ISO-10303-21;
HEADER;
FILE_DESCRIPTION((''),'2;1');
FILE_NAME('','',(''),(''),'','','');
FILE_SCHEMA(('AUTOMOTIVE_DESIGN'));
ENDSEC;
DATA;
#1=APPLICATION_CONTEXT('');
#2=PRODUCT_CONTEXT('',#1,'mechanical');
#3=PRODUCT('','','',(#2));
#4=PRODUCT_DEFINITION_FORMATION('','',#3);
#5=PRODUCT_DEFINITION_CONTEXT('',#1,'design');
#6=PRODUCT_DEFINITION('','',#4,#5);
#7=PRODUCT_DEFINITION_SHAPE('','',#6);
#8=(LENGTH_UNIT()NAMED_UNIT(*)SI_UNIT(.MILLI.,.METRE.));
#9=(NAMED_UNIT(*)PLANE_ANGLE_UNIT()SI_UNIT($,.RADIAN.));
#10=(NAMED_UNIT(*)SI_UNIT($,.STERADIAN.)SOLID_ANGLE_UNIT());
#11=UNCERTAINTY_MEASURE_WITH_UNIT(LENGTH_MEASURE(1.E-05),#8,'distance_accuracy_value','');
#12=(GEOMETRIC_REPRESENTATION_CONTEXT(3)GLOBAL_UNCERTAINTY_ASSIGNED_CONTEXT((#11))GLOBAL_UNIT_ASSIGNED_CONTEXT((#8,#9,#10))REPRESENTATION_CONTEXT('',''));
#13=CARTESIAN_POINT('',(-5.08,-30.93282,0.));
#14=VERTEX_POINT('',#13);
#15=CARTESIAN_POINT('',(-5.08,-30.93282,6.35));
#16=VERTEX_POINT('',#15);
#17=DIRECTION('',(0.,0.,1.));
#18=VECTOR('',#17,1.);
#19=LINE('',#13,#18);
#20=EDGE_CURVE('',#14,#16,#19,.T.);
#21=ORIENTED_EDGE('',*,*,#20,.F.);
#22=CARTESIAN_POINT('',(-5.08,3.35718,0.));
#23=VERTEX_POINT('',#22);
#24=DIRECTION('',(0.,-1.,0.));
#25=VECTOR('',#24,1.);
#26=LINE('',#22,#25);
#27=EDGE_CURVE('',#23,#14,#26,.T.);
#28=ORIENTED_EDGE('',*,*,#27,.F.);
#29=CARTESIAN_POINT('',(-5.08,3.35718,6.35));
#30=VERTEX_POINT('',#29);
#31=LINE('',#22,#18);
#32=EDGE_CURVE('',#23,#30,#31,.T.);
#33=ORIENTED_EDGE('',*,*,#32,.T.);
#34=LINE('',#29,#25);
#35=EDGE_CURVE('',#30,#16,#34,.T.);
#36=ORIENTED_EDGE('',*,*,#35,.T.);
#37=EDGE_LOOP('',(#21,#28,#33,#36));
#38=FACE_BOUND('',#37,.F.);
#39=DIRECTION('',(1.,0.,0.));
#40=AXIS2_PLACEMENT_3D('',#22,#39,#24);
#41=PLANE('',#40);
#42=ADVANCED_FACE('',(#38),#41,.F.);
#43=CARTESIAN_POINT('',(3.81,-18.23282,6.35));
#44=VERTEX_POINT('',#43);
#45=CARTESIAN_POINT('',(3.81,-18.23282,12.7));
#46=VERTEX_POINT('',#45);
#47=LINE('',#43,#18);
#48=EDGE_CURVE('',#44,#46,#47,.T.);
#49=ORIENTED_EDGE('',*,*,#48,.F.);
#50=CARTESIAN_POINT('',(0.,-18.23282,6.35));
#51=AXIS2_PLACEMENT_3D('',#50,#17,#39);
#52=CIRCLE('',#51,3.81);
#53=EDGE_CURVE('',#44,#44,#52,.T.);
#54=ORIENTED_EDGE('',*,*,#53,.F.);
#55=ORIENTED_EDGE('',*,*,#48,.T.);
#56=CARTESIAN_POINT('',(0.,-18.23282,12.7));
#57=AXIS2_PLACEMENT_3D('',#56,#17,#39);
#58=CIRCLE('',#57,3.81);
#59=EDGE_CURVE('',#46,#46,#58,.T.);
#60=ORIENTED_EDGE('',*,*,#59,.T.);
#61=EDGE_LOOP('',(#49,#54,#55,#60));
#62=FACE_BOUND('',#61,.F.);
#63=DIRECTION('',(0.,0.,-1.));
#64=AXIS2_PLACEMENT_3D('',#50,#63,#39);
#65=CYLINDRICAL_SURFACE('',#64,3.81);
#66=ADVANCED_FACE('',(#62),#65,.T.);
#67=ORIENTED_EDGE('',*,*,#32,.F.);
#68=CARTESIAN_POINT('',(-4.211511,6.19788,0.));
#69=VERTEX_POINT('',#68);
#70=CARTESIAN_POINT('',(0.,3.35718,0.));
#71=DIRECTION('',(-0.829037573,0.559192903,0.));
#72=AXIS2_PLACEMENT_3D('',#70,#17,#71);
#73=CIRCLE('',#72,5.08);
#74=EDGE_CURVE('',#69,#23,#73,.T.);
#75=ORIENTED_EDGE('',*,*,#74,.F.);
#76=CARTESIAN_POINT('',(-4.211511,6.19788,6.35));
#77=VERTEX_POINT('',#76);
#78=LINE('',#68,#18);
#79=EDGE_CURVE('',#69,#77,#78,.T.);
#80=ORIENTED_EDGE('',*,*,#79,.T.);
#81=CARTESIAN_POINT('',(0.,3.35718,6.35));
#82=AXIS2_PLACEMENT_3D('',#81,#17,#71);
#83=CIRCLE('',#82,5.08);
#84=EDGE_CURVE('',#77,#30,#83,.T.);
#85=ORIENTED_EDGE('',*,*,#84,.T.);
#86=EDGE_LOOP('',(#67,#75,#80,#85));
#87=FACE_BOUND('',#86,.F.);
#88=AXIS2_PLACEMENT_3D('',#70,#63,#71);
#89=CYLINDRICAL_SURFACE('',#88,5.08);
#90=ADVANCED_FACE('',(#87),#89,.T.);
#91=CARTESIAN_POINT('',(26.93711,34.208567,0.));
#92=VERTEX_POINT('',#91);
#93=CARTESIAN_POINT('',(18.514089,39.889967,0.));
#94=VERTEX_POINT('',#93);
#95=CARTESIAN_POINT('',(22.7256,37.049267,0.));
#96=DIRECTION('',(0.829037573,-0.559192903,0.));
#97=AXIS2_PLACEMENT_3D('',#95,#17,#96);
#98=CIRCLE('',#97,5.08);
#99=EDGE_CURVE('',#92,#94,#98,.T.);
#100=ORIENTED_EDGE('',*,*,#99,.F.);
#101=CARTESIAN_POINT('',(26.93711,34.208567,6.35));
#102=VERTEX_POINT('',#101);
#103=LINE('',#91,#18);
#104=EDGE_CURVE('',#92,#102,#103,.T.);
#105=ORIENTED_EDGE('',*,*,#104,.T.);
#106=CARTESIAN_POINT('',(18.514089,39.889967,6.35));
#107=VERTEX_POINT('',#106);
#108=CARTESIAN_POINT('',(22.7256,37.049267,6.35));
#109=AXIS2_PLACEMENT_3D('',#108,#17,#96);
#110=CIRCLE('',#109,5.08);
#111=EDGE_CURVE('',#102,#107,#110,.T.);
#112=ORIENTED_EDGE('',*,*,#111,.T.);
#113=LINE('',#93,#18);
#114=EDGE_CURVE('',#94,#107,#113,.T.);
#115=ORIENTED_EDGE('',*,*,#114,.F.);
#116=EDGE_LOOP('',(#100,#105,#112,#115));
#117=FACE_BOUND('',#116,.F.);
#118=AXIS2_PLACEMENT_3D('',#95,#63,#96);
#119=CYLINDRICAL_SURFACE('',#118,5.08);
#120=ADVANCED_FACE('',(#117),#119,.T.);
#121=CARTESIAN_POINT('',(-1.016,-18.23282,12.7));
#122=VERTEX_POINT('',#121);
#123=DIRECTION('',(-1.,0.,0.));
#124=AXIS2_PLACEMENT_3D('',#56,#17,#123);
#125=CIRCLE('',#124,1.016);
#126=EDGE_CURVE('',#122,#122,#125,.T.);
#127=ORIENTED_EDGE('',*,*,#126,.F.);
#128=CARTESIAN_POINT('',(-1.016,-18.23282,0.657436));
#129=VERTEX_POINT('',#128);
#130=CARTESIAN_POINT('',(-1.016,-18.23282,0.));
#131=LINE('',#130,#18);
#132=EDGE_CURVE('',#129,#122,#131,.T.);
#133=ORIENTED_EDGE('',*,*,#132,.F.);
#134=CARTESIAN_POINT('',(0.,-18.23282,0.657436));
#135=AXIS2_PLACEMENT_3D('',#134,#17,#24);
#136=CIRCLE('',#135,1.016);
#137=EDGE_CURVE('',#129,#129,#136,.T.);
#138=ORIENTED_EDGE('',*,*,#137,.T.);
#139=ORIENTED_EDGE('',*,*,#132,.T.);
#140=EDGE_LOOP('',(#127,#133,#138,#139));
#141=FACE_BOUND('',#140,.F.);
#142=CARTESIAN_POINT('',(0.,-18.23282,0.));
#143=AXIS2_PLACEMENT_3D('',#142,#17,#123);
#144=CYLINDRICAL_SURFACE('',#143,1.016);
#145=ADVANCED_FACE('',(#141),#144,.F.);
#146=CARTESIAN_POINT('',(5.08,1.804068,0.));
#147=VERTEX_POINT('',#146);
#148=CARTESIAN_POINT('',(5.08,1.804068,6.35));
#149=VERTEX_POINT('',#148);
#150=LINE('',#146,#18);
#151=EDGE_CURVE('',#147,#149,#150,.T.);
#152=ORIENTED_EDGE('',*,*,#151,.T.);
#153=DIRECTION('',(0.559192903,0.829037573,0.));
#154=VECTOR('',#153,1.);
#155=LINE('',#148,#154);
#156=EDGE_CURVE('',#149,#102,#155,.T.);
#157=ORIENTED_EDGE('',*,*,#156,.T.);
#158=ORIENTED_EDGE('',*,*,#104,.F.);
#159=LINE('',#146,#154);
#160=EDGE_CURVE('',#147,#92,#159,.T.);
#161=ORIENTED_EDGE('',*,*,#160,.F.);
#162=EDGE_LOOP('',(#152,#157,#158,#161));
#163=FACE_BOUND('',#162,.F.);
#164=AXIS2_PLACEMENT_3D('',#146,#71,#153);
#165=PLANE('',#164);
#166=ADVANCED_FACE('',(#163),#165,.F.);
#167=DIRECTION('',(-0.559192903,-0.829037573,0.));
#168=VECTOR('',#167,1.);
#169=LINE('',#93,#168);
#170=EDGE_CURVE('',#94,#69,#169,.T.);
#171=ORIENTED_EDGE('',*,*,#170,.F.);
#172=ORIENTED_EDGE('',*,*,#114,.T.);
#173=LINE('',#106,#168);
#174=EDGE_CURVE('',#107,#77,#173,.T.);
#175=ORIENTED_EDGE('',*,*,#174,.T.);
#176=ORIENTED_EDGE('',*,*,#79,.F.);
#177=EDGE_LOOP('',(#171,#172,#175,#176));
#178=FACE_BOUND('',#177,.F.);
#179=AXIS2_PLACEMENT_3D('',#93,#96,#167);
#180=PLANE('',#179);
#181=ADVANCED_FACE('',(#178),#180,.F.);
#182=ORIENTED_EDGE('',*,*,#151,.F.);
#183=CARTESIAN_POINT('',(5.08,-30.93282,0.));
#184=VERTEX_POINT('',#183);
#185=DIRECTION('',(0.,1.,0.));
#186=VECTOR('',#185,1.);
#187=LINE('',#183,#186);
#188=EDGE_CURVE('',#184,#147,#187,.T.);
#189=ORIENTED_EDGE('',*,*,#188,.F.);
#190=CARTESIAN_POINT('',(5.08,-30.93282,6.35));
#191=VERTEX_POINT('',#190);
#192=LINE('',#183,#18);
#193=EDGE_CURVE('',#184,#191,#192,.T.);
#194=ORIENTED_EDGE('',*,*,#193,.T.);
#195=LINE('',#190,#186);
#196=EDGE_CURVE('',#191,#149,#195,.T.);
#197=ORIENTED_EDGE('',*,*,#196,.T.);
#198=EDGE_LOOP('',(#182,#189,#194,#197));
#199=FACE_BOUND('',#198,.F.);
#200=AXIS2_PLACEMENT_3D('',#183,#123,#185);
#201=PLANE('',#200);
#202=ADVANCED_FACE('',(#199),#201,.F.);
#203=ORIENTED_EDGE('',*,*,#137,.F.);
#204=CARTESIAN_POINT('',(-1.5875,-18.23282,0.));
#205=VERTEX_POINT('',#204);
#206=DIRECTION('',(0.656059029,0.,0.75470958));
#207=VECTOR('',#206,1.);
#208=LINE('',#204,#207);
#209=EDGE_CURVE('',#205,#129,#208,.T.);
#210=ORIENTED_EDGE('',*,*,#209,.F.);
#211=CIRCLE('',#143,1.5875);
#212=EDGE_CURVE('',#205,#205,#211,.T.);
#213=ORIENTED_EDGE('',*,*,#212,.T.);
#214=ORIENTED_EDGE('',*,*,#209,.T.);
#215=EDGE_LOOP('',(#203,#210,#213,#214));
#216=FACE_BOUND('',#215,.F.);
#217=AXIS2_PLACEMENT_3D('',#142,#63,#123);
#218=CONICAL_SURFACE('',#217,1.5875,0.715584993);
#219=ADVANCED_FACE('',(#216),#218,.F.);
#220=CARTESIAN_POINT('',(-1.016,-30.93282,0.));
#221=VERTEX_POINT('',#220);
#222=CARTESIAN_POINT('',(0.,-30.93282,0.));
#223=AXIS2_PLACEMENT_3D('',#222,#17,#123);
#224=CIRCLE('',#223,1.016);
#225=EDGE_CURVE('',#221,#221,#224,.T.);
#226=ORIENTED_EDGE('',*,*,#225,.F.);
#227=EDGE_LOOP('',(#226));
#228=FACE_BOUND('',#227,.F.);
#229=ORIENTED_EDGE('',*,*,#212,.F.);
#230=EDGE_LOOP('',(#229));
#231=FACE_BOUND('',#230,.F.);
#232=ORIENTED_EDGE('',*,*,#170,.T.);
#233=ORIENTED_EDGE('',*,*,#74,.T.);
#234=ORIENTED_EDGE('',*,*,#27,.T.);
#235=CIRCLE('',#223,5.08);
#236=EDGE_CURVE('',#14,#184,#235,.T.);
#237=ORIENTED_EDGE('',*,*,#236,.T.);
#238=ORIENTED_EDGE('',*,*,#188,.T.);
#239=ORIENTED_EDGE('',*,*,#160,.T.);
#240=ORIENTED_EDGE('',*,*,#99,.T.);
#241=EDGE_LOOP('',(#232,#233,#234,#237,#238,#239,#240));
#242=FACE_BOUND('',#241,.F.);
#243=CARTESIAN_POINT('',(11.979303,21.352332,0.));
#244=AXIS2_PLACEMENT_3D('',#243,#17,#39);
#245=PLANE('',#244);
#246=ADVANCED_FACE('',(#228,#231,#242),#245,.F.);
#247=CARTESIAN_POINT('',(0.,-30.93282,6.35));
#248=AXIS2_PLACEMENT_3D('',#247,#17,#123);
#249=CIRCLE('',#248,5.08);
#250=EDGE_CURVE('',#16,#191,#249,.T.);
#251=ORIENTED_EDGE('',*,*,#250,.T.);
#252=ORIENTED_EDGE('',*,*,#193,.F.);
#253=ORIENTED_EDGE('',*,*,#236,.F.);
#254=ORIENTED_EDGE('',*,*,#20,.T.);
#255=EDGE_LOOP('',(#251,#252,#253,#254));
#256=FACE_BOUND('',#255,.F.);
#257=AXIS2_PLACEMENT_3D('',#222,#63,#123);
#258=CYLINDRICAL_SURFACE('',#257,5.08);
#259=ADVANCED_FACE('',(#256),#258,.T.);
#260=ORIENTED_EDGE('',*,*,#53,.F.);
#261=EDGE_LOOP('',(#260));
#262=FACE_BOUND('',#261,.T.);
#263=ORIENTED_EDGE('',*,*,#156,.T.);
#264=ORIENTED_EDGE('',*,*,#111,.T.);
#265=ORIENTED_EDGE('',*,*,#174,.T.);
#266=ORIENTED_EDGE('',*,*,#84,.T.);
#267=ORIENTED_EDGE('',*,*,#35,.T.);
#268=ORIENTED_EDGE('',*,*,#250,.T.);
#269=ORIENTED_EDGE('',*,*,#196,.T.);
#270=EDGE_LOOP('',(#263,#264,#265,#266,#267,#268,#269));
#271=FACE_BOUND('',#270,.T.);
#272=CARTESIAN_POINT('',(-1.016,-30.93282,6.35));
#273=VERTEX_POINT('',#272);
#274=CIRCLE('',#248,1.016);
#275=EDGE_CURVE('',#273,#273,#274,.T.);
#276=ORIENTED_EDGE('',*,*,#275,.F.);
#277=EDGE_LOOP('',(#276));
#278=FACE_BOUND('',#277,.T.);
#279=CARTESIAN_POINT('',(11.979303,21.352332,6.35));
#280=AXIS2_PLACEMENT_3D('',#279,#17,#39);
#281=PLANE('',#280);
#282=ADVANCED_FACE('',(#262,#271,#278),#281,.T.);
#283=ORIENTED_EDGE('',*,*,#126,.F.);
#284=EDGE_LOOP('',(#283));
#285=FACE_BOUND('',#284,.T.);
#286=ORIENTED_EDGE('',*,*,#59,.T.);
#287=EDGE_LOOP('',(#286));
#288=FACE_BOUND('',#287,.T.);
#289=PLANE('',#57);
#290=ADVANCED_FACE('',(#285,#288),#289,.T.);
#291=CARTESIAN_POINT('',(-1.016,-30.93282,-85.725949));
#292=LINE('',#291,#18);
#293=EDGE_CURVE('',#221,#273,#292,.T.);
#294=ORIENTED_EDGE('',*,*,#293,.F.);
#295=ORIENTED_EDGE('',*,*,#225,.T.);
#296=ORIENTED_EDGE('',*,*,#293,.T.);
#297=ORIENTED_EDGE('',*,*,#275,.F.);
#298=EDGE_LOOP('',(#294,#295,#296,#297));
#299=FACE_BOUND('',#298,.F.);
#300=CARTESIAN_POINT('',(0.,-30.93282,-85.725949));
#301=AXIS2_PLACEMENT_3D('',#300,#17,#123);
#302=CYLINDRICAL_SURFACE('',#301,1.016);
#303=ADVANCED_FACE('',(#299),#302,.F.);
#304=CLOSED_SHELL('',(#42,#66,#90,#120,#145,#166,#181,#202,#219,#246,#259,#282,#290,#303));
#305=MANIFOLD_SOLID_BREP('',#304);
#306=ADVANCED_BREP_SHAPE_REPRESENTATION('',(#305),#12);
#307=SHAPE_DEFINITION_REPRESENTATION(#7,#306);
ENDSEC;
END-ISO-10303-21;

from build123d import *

# Parameters (mm, degrees)
F1_DEPTH       = 6.35
F2_R           = 3.81
F3_DEPTH       = 6.35
F4_D           = 2.032
F4_CSINK_D     = 3.175
F4_CSINK_ANGLE = 82
F5_D           = 2.032


with BuildPart() as f1:
    # F0 (on Top) → F1 (new body)
    with BuildSketch(Plane.XY):
        with BuildLine():
            ThreePointArc((-4.2115108686, 6.1978799769), (-0.9693096965, 8.3438461191), (2.8406999496, 7.5686908958))
            ThreePointArc((2.8406999496, 7.5686908958), (4.4853737717, 5.7420955662), (5.08, 3.3571800272))
            Line((5.08, 3.3571800272), (5.08, 1.8040681654))
            Line((5.08, 1.8040681654), (26.9371104656, 34.2085670262))
            ThreePointArc((26.9371104656, 34.2085670262), (25.5662995467, 41.2607778444), (18.5140887285, 39.8899669255))
            Line((18.5140887285, 39.8899669255), (-4.2115108686, 6.1978799769))
        make_face()
        with BuildLine():
            Line((0, 3.3571800272), (0, -1.7228199728))
            ThreePointArc((0, -1.7228199728), (2.384915539, -1.1281937445), (4.2115108686, 0.5164800776))
            Line((4.2115108686, 0.5164800776), (5.08, 1.8040681654))
            Line((5.08, 1.8040681654), (5.08, 3.3571800272))
            ThreePointArc((5.08, 3.3571800272), (4.4853737717, 5.7420955662), (2.8406999496, 7.5686908958))
            Line((2.8406999496, 7.5686908958), (0, 3.3571800272))
        make_face()
        with BuildLine():
            ThreePointArc((4.2115108686, 0.5164800776), (2.384915539, -1.1281937445), (0, -1.7228199728))
            ThreePointArc((0, -1.7228199728), (-3.5921024484, -0.2349224212), (-5.08, 3.3571800272))
            Line((-5.08, 3.3571800272), (-5.08, -30.9328199728))
            ThreePointArc((-5.08, -30.9328199728), (0, -36.0128199728), (5.08, -30.9328199728))
            Line((5.08, -30.9328199728), (5.08, 1.8040681654))
            Line((5.08, 1.8040681654), (4.2115108686, 0.5164800776))
        make_face()
        with BuildLine():
            ThreePointArc((-5.08, 3.3571800272), (-3.5921024484, -0.2349224212), (0, -1.7228199728))
            Line((0, -1.7228199728), (0, 3.3571800272))
            Line((0, 3.3571800272), (2.8406999496, 7.5686908958))
            ThreePointArc((2.8406999496, 7.5686908958), (-0.9693096965, 8.3438461191), (-4.2115108686, 6.1978799769))
            ThreePointArc((-4.2115108686, 6.1978799769), (-4.8580281603, 4.8424282872), (-5.08, 3.3571800272))
        make_face()
    extrude(amount=F1_DEPTH)

    # F2 (on face) → F3 (join)
    with BuildSketch(Plane.XY.offset(6.35)):
        with Locations((0, -18.2328199728)):
            Circle(F2_R)
    extrude(amount=F3_DEPTH)

    # F4 (through all)
    with Locations(Plane(origin=(0, 0, 0), x_dir=(1, 0, 0), z_dir=(0, 0, -1))):
        with Locations((0, 18.2328199728)):
            CounterSinkHole(F4_D / 2, F4_CSINK_D / 2, counter_sink_angle=F4_CSINK_ANGLE)

    # F5 (through all)
    with Locations(Plane(origin=(0, 0, 0), x_dir=(1, 0, 0), z_dir=(0, 0, -1))):
        with Locations((0, 30.9328199728)):
            Hole(F5_D / 2)


solid = f1.part
